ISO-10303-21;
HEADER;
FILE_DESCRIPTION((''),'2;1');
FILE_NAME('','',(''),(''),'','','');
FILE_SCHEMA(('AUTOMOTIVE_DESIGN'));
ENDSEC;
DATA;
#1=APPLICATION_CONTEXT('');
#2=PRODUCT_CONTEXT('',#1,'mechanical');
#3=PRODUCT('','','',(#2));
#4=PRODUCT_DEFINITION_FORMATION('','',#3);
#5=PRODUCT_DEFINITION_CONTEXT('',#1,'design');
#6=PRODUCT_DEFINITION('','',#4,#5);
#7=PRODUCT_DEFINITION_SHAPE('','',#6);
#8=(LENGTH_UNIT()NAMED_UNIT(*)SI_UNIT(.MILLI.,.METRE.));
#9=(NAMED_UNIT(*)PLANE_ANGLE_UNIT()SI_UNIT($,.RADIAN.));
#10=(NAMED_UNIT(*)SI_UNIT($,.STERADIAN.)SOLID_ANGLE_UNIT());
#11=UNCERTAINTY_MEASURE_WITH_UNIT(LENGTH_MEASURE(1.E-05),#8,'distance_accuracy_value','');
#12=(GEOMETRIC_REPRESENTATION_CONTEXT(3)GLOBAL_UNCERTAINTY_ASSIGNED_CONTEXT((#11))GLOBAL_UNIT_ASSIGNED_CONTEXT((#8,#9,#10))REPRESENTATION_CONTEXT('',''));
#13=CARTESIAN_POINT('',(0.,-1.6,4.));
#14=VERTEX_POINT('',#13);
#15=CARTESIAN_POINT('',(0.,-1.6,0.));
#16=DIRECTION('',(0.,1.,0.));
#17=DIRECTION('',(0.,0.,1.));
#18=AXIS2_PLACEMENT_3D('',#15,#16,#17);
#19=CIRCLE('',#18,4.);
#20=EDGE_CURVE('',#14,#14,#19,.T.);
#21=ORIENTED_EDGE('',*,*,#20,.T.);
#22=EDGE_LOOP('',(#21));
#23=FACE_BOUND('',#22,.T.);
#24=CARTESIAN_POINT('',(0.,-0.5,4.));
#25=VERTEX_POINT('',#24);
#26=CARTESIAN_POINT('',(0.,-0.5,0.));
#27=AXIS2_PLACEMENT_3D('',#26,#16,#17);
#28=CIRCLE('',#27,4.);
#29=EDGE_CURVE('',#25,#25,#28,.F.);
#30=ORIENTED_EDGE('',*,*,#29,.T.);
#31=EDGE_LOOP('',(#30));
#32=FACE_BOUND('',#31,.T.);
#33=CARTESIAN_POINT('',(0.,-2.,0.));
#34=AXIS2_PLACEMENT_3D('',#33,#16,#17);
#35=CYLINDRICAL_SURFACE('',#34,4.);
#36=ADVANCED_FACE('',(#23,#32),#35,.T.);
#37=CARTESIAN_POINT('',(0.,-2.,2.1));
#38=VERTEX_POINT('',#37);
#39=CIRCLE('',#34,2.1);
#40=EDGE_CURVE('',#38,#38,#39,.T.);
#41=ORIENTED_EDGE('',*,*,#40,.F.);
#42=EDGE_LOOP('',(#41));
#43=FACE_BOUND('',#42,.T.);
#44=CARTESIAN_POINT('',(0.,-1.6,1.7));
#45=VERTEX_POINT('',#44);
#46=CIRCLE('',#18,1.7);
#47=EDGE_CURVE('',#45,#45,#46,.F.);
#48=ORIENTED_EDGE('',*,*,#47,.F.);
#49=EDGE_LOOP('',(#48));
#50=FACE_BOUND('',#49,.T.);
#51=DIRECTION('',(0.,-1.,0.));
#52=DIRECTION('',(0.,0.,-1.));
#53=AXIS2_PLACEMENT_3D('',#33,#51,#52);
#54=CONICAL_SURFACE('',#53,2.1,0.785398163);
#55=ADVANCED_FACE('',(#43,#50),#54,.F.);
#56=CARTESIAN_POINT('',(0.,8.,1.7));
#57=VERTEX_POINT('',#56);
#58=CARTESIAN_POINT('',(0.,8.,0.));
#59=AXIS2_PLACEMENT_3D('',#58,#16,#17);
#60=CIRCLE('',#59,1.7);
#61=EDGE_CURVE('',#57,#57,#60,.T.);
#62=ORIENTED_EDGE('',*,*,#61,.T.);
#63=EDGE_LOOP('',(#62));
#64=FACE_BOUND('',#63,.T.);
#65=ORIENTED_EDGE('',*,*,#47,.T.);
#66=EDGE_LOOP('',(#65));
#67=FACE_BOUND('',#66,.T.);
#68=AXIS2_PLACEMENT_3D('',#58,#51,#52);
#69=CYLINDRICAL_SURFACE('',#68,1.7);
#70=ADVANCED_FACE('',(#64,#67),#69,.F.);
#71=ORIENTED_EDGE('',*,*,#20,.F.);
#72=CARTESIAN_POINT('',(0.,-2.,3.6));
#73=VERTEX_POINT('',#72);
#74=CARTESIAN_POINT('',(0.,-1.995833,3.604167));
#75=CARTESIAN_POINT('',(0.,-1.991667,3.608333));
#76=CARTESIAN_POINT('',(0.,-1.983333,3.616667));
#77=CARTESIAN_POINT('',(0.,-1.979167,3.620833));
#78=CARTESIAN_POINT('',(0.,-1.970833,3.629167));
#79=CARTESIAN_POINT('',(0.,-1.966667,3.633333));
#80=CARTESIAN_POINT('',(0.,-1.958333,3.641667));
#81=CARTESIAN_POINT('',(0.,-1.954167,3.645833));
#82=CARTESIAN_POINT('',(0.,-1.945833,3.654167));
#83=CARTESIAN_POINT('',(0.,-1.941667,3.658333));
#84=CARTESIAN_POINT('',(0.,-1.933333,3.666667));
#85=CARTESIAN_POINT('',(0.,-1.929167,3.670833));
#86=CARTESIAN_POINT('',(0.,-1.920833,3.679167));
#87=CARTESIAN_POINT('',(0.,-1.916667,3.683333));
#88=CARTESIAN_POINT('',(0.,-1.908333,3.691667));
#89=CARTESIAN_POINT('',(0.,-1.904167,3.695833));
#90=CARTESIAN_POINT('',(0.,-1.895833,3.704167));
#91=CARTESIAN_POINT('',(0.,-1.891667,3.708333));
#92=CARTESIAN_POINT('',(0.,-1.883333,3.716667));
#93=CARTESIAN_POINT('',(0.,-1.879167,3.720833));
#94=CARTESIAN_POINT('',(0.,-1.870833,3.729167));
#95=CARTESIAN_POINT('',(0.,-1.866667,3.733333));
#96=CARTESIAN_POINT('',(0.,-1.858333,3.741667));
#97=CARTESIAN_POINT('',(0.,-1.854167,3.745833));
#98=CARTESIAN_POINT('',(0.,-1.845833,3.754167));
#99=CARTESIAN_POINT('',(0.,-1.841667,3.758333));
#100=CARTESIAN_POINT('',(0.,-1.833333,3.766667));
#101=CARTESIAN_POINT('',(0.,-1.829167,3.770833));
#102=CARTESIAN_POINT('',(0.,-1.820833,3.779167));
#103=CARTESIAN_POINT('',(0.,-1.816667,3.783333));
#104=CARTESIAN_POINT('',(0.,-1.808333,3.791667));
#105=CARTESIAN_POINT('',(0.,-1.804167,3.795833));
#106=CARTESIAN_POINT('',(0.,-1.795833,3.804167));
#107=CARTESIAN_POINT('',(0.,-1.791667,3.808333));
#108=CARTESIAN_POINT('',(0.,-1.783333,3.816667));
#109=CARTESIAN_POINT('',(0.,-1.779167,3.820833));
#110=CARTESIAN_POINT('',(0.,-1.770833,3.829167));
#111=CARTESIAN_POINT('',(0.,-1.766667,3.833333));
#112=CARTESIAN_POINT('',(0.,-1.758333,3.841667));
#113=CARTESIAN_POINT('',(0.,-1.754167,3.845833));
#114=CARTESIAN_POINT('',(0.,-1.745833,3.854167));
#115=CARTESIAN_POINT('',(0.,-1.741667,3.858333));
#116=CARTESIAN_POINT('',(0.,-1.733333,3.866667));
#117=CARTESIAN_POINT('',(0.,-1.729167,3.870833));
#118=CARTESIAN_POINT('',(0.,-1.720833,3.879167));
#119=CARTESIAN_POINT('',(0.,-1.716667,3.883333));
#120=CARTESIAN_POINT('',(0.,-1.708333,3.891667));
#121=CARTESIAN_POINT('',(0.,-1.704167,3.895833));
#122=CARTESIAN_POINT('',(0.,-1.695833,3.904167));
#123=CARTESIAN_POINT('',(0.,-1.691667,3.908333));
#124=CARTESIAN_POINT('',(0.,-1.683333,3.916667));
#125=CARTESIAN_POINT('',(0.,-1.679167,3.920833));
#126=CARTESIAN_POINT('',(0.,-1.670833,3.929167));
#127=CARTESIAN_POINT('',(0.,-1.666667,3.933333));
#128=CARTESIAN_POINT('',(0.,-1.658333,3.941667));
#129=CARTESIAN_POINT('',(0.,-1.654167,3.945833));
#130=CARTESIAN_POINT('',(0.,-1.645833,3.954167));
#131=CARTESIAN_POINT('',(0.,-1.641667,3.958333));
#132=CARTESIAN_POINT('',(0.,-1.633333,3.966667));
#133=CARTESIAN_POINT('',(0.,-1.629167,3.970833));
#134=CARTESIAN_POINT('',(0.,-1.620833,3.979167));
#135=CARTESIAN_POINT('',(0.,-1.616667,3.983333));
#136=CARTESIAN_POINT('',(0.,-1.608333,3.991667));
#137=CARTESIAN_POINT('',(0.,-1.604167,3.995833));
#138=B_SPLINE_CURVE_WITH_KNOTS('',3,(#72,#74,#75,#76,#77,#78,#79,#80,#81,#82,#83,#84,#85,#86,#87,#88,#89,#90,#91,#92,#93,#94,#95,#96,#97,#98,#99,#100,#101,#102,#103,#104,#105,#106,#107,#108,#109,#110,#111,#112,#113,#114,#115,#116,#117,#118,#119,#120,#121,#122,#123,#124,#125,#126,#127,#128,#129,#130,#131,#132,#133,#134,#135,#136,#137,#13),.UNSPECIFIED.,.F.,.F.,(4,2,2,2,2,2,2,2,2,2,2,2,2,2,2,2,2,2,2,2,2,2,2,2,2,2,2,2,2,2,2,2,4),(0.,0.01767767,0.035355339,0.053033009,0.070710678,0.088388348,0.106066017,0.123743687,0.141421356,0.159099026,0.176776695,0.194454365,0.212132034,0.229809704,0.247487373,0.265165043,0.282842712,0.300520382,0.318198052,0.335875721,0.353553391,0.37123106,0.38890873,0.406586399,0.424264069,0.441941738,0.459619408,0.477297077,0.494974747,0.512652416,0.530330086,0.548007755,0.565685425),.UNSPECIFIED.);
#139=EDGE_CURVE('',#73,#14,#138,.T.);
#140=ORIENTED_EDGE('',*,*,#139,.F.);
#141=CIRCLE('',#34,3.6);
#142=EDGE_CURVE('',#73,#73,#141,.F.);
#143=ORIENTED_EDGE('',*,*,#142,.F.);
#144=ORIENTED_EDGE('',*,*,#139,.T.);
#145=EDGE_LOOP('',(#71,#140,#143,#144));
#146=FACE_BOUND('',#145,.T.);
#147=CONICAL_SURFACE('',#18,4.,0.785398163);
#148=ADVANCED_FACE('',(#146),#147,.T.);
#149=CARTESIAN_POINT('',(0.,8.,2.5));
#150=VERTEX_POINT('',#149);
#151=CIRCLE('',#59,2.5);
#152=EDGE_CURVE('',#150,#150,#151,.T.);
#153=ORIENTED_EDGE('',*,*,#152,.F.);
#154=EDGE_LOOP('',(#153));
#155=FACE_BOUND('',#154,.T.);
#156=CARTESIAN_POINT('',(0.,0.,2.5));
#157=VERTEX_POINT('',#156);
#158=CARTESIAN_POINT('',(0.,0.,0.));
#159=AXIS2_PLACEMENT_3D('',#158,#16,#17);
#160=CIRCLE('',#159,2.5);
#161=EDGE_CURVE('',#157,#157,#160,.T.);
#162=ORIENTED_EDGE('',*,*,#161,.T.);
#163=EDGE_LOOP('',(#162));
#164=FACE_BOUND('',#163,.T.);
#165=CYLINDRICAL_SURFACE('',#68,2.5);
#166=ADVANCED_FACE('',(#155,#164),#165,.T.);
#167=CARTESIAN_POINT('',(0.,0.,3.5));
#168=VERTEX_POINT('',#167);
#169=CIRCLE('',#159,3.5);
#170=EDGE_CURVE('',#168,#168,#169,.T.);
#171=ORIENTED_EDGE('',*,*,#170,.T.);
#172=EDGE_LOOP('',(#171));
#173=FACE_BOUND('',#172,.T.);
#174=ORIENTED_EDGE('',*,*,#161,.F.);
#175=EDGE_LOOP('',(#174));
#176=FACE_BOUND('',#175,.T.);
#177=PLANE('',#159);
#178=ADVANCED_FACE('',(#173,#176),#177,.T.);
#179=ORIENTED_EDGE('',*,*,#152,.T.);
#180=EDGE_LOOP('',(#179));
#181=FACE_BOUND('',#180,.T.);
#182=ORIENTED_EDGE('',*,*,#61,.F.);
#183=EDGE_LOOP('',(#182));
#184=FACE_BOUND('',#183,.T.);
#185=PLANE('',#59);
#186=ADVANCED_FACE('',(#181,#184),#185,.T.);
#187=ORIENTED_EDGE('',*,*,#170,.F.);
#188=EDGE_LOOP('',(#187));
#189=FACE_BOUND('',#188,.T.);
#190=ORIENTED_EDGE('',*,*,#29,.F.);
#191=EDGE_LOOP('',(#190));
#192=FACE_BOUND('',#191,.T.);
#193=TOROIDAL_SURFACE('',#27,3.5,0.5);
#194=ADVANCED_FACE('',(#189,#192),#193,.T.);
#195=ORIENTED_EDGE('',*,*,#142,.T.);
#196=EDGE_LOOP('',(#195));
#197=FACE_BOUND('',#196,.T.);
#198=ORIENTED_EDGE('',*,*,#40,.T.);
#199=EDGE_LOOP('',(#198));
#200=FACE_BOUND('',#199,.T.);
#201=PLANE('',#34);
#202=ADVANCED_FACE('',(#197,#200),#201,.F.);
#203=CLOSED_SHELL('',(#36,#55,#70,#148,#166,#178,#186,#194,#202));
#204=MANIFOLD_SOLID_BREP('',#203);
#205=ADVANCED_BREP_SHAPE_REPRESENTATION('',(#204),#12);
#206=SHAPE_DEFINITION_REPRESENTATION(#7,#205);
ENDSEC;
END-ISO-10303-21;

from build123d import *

# Parameters (mm, degrees)
SKETCH1_R           = 2.5
SKETCH1_R_2         = 1.7
BOSS_EXTRUDE1_DEPTH = 8
BOSS_EXTRUDE2_START = -2
SKETCH1_3_R         = 4
SKETCH1_3_R_2       = 3
SKETCH1_3_R_3       = 2.5
SKETCH1_3_R_4       = 1.7
BOSS_EXTRUDE2_DEPTH = 2
FILLET1_R           = 0.5
CHAMFER1_SIZE       = 0.4


with BuildPart() as part:
    # Sketch1 → Boss-Extrude1 (new body)
    with BuildSketch(Plane(origin=(0, 0, 0), x_dir=(1, 0, 0), z_dir=(0, 1, 0))):
        with Locations(Location((0, 0, 0), (0, 0, 270))):
            Circle(SKETCH1_R)
        with Locations(Location((0, 0, 0), (0, 0, 270))):
            Circle(SKETCH1_R_2, mode=Mode.SUBTRACT)
    extrude(amount=BOSS_EXTRUDE1_DEPTH)

    # Sketch1<3> → Boss-Extrude2 (add)
    # profile 1 of 3: a face of its own
    with BuildSketch(Plane(origin=(0, 0, 0), x_dir=(1, 0, 0), z_dir=(0, 1, 0)).offset(BOSS_EXTRUDE2_START)):
        with Locations(Location((0, 0, 0), (0, 0, 270))):
            Circle(SKETCH1_3_R)
        Circle(SKETCH1_3_R_2, mode=Mode.SUBTRACT)
    # profile 2 of 3: a face of its own
    with BuildSketch(Plane(origin=(0, 0, 0), x_dir=(1, 0, 0), z_dir=(0, 1, 0)).offset(BOSS_EXTRUDE2_START)):
        Circle(SKETCH1_3_R_2)
        with Locations(Location((0, 0, 0), (0, 0, 270))):
            Circle(SKETCH1_3_R_3, mode=Mode.SUBTRACT)
    # profile 3 of 3: a face of its own
    with BuildSketch(Plane(origin=(0, 0, 0), x_dir=(1, 0, 0), z_dir=(0, 1, 0)).offset(BOSS_EXTRUDE2_START)):
        with Locations(Location((0, 0, 0), (0, 0, 270))):
            Circle(SKETCH1_3_R_3)
        with Locations(Location((0, 0, 0), (0, 0, 270))):
            Circle(SKETCH1_3_R_4, mode=Mode.SUBTRACT)
    extrude(amount=BOSS_EXTRUDE2_DEPTH)

    # Fillet1
    fillet1_edges = [part.edges().sort_by_distance(p)[0] for p in [
        (0, 0, -4),
    ]]
    fillet(fillet1_edges, radius=FILLET1_R)

    # Chamfer1
    chamfer1_edges = [part.edges().sort_by_distance(p)[0] for p in [
        (0, -2, -4),
        (0, -2, -1.7),
    ]]
    chamfer(chamfer1_edges, length=CHAMFER1_SIZE)


solid = part.part
